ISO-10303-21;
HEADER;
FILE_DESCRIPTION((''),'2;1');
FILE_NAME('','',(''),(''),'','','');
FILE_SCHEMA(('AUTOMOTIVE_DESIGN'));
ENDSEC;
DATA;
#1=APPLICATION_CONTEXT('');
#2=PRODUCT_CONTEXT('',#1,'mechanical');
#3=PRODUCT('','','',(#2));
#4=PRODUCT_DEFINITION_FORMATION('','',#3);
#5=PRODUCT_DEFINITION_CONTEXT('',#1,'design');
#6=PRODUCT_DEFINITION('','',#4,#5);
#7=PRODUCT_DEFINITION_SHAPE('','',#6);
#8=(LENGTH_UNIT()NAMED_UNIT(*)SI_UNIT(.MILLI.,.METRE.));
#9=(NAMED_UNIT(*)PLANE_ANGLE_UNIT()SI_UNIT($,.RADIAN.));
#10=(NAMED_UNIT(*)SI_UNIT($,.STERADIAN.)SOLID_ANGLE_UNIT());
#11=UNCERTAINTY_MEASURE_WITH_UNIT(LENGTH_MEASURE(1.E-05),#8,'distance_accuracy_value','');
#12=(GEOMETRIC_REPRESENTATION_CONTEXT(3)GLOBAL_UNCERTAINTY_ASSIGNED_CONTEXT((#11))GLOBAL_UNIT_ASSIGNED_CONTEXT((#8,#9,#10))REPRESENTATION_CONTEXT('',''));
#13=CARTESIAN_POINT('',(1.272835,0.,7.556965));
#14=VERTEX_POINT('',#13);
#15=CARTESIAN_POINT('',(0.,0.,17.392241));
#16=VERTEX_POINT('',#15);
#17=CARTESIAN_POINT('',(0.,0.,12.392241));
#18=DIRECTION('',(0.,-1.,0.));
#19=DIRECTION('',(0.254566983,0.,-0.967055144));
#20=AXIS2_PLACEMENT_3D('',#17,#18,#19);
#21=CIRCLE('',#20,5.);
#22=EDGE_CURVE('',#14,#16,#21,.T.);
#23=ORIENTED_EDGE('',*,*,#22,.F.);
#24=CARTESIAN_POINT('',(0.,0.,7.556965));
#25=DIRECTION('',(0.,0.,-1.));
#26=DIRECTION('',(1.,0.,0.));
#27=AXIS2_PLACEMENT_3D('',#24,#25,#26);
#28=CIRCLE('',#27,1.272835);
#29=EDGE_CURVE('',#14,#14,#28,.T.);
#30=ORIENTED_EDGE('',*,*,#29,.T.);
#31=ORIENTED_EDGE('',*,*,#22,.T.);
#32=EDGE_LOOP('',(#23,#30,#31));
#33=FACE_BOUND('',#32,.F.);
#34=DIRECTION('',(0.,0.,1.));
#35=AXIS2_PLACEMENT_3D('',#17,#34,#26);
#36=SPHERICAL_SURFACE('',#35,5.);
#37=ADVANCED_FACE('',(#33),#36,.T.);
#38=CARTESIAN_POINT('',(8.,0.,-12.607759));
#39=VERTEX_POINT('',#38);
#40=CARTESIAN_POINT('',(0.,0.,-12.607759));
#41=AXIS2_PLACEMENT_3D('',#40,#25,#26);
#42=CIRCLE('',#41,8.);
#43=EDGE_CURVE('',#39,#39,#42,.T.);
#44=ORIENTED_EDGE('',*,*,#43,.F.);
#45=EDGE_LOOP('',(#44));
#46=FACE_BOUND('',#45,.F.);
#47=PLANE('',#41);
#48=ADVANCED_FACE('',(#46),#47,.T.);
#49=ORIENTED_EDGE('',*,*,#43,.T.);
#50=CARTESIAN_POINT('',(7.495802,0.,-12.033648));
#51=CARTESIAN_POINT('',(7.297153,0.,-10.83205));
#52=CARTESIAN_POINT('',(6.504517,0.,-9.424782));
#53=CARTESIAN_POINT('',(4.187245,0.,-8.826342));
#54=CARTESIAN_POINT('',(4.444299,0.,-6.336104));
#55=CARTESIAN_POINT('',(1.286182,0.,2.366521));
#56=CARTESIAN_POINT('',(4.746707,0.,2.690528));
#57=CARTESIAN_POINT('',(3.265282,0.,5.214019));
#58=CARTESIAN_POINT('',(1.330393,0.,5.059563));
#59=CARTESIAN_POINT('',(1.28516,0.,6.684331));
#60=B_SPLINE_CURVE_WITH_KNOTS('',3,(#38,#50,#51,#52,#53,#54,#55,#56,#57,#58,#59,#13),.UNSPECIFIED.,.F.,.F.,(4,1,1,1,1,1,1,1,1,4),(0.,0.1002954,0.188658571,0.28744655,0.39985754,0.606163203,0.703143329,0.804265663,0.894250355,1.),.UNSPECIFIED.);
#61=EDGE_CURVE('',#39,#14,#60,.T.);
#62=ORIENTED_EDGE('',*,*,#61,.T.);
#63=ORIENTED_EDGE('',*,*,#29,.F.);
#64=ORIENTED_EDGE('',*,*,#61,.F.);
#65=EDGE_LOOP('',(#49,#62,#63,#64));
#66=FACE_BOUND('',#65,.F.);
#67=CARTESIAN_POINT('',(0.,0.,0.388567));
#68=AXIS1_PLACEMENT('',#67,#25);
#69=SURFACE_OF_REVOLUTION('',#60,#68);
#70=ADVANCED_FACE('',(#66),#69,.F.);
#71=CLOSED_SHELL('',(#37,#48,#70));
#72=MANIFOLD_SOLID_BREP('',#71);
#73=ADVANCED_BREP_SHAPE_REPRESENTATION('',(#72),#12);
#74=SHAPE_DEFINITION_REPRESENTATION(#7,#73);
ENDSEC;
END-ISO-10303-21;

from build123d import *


with BuildPart() as f2:
    # F0 (on Front) → F2 (revolve)
    with BuildSketch(Plane.XZ):
        with BuildLine():
            Line((0, 7.3922411398), (0, -12.6077588602))
            Line((0, -12.6077588602), (8, -12.6077588602))
            add(Edge.make_bspline(
                [(8, -12.6077588602), (7.4958017027, -12.0336480737), (7.2971531334, -10.8320496777), (6.5045172706, -9.4247816917), (4.187245229, -8.8263418995), (4.4442988316, -6.3361044293), (1.2861822336, 2.3665209403), (4.7467065832, 2.6905281785), (3.2652815725, 5.2140194602), (1.3303927457, 5.0595628796), (1.2851601406, 6.6843310851), (1.2728349165, 7.5569654211)],
                knots=[0, 0, 0, 0, 0.1002953999, 0.1886585705, 0.2874465499, 0.39985754, 0.6061632029, 0.7031433292, 0.8042656629, 0.8942503554, 1, 1, 1, 1], degree=3))
            ThreePointArc((1.2728349165, 7.5569654211), (4.9586479303, 13.0339659277), (0, 17.3922411398))
            Line((0, 17.3922411398), (0, 7.3922411398))
        make_face()
    revolve(axis=Axis((0, 0, 0.3885673359), (0, 0, -1)))


solid = f2.part
